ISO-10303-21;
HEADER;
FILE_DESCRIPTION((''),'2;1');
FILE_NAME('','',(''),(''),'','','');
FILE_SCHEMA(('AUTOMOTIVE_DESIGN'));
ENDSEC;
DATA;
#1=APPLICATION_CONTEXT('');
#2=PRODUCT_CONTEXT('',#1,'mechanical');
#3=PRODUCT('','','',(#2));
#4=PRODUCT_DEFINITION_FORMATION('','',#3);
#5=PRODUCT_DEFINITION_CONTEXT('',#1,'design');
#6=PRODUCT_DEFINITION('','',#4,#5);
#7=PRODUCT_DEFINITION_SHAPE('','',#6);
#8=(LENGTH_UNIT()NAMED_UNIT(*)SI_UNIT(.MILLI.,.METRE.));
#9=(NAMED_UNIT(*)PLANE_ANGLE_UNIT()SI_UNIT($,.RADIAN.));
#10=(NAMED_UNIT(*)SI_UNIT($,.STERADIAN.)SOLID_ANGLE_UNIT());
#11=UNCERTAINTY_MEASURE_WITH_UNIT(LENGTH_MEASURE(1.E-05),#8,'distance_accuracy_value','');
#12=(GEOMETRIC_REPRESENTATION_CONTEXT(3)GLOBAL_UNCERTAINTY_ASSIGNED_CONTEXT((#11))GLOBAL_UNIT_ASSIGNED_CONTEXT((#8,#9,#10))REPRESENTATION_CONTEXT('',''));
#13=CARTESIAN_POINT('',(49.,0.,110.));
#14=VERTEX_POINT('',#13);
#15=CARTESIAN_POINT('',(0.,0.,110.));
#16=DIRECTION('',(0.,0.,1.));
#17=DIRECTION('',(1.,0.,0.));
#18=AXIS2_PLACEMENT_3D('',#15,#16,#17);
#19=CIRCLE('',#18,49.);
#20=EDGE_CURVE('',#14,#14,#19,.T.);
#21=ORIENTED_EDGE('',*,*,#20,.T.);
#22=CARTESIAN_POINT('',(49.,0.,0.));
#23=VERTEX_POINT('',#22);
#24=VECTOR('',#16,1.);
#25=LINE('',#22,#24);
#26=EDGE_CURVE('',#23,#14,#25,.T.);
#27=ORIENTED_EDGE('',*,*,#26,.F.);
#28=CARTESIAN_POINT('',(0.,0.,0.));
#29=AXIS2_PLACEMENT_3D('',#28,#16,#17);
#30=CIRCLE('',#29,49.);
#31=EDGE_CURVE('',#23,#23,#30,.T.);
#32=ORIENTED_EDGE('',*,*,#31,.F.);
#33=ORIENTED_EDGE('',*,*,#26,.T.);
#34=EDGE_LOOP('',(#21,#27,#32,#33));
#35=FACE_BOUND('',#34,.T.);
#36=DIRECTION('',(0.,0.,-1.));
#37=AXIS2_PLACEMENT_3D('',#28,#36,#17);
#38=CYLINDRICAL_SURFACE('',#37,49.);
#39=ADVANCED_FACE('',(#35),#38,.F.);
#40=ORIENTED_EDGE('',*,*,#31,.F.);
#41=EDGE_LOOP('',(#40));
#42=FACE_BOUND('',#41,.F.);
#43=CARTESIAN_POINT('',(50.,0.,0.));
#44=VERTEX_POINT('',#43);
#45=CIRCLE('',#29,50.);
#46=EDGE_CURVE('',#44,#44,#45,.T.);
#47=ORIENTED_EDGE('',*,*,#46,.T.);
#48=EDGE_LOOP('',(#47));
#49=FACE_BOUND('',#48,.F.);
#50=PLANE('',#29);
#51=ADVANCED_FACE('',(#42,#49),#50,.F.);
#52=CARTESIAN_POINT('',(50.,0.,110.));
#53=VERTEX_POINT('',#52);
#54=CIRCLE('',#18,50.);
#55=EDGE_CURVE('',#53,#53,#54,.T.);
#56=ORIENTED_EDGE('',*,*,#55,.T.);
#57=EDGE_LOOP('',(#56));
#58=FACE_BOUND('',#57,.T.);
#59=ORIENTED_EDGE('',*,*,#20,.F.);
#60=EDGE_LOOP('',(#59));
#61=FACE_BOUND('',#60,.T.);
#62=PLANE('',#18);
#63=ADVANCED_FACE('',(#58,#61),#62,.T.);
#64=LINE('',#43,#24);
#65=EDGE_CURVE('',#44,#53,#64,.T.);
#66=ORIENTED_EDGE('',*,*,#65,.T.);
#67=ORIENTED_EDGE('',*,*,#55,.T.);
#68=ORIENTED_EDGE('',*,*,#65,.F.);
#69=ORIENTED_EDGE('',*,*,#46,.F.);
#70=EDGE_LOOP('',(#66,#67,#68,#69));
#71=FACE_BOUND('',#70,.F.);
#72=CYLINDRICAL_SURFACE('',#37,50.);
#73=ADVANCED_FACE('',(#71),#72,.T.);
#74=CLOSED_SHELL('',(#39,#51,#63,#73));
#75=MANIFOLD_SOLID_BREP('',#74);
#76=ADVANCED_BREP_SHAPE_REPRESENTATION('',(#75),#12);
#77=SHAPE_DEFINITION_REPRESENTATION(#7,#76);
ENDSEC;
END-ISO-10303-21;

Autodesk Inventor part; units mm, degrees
ref_plane "YZ Plane" through (0, 0, 0) normal (1, 0, 0) x (0, 1, 0)
ref_plane "XZ Plane" through (0, 0, 0) normal (0, 1, 0) x (-1, 0, 0)
ref_plane "XY Plane" through (0, 0, 0) normal (0, 0, 1) x (1, 0, 0)
sketch "Sketch1" plane through (0, 0, 0) normal (0, 0, 1) x (1, 0, 0)
  circle A0 centre (0, 0) radius 50
  circle A1 centre (0, 0) radius 49
  dimension "d0" = 100
  dimension "d1" = 98
extrude "Extrusion1" add sketch "Sketch1" along normal blind 110
properties part number "valec"
